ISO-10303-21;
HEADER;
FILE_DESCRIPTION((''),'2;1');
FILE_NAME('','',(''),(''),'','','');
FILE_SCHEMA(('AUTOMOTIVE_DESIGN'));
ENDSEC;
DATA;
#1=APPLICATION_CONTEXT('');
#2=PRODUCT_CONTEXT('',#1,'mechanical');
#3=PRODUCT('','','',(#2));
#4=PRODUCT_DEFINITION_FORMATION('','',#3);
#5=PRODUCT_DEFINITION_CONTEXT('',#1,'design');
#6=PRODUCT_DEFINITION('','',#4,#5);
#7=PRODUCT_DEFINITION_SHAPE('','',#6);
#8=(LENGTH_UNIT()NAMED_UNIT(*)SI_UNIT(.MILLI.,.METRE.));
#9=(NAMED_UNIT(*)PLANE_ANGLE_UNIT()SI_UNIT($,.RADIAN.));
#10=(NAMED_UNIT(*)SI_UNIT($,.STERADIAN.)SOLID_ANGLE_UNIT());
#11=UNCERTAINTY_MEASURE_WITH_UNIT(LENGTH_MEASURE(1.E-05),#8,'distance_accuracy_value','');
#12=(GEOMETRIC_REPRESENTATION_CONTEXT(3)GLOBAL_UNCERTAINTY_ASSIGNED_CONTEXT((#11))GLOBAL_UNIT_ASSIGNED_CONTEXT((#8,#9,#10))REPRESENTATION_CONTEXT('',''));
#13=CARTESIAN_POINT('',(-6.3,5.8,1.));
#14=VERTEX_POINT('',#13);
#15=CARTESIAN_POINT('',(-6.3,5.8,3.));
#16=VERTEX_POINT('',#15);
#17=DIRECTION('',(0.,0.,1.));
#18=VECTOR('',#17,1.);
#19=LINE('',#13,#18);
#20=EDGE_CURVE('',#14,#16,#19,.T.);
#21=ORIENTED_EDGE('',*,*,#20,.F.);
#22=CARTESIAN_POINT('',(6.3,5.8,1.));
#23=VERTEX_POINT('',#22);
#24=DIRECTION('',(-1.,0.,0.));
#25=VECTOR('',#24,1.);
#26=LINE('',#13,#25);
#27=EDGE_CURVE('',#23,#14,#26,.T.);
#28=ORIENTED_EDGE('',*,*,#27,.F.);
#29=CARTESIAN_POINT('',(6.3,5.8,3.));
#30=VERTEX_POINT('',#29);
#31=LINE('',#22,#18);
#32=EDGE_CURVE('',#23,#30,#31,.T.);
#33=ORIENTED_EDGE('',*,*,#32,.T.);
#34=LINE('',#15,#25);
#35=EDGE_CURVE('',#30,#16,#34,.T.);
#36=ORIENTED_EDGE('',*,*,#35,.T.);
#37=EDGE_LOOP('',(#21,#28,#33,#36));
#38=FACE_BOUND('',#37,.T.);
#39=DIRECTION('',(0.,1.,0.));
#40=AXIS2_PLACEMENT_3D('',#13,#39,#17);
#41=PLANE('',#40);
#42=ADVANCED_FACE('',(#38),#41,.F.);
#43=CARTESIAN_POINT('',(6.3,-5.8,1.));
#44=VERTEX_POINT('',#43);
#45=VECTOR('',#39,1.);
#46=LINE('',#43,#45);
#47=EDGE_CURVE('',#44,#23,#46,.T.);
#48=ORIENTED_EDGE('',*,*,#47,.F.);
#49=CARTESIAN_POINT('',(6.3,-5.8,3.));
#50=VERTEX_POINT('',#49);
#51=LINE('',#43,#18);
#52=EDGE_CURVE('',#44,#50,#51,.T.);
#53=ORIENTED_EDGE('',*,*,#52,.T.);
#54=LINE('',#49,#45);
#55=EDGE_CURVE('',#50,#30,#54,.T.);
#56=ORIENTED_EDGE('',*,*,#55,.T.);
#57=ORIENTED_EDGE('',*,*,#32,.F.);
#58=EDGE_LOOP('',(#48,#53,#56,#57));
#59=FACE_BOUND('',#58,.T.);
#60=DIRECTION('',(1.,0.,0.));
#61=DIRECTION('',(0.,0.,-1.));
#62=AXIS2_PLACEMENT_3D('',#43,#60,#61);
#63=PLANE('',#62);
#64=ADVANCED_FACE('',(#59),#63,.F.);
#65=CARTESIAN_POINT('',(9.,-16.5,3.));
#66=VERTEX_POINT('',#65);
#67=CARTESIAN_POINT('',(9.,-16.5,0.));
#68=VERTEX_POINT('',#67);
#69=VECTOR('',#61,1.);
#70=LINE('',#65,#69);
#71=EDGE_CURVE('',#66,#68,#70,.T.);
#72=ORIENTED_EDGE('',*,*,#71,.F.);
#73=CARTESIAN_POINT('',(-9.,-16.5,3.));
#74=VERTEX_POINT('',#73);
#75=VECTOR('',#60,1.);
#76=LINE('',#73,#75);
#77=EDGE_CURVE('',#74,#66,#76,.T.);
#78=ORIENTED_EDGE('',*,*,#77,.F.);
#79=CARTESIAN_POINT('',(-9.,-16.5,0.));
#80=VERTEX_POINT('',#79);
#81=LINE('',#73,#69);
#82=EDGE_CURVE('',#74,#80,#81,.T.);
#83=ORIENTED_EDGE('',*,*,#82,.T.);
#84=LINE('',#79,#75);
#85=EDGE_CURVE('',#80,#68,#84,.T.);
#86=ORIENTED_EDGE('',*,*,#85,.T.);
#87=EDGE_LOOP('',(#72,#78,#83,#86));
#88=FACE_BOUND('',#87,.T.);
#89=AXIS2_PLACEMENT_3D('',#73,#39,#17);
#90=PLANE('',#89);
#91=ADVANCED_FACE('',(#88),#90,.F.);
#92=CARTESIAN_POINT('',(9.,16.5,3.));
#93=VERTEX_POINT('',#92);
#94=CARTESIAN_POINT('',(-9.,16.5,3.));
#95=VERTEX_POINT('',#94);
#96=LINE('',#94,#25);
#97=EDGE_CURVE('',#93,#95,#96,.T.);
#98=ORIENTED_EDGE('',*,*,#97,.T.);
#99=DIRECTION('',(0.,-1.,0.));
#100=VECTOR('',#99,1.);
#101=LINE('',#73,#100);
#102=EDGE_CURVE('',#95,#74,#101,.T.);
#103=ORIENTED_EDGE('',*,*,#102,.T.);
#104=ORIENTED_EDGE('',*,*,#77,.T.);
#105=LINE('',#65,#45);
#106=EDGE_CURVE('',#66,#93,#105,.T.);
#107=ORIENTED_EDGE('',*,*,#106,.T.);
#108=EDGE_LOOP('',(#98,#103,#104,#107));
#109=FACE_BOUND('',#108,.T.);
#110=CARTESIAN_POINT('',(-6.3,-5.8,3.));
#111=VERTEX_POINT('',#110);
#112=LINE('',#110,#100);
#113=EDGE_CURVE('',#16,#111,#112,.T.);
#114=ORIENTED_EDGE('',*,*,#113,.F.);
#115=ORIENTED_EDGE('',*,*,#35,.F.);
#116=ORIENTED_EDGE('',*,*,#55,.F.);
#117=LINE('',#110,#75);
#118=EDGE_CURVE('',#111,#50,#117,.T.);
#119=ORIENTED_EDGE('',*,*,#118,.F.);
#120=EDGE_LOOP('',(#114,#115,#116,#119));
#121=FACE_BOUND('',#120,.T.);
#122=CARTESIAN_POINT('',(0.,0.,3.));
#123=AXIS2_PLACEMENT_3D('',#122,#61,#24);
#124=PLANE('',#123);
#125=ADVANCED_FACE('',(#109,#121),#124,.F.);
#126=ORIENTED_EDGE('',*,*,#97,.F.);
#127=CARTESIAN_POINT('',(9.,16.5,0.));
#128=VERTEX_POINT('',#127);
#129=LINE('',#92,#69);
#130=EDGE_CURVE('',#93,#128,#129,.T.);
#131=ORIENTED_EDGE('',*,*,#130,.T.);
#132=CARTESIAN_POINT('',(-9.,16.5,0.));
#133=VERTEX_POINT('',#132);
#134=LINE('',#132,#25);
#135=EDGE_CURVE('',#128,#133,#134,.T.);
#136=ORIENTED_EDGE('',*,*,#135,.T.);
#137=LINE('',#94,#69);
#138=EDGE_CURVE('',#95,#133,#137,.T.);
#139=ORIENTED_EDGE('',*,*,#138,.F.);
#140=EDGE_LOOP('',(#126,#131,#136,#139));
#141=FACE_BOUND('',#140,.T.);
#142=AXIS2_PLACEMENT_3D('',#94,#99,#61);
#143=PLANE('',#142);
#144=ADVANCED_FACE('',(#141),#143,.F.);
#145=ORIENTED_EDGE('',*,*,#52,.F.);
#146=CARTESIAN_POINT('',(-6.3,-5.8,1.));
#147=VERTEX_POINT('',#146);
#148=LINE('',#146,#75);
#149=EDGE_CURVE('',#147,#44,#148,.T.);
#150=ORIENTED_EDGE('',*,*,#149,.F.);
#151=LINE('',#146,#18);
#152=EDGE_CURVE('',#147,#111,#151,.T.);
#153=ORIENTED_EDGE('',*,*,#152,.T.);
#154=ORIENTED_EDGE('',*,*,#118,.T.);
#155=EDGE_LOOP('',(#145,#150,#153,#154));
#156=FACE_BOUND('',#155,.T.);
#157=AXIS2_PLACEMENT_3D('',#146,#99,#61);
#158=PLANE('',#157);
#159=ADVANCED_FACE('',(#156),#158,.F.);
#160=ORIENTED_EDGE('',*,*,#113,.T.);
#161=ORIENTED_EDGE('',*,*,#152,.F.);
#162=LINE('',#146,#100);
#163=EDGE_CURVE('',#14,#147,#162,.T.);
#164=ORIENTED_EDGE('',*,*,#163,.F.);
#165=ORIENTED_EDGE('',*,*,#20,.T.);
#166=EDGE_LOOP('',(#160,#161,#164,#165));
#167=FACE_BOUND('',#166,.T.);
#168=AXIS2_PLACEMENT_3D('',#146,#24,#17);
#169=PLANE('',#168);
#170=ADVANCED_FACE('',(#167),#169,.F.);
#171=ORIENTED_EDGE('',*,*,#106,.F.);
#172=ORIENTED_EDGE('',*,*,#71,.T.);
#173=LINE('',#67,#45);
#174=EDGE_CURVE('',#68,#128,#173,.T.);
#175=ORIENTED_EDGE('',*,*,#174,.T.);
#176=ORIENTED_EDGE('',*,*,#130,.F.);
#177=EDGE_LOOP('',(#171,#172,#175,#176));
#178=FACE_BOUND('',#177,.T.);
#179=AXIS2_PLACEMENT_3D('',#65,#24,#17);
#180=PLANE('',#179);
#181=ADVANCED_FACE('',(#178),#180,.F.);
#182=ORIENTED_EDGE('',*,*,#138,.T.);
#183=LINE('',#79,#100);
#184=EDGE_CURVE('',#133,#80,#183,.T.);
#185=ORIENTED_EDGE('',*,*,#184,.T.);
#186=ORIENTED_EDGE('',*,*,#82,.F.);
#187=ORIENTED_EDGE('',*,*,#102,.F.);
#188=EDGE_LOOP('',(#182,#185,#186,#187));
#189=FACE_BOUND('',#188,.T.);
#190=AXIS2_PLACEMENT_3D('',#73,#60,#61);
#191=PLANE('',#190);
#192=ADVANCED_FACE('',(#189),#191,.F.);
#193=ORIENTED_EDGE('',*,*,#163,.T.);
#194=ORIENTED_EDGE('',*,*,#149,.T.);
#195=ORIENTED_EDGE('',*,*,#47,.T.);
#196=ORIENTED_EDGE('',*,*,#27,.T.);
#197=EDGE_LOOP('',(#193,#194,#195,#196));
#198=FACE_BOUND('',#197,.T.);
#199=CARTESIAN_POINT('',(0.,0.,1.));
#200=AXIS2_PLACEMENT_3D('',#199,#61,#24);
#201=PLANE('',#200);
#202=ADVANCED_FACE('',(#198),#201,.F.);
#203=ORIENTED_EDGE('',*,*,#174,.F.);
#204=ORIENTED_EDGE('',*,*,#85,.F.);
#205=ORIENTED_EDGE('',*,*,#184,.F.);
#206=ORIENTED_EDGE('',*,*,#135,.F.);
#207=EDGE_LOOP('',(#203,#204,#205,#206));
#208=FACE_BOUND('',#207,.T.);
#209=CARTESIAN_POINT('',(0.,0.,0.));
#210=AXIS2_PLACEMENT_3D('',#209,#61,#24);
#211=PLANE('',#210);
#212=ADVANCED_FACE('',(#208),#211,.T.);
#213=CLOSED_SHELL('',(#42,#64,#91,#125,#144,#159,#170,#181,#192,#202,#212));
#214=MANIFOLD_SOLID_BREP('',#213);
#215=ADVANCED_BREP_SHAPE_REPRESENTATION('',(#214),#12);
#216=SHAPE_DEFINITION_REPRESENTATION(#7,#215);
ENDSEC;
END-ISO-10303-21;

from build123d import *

# Parameters (mm, degrees)
SKETCH_1_W          = 18
SKETCH_1_H          = 33
EXTRUDE_1_DEPTH     = 3
SKETCH_2_W          = 12.6
SKETCH_2_H          = 11.6
CUT_EXTRUDE_1_DEPTH = 2


with BuildPart() as part:
    # 스케치1 → 보스-돌출1 (new body)
    with BuildSketch(Plane.XY):
        Rectangle(SKETCH_1_W, SKETCH_1_H)
    extrude(amount=EXTRUDE_1_DEPTH)

    # 스케치2 → 컷-돌출1 (cut)
    with BuildSketch(Plane.XY.offset(3)):
        Rectangle(SKETCH_2_W, SKETCH_2_H)
    extrude(amount=-CUT_EXTRUDE_1_DEPTH, mode=Mode.SUBTRACT)


solid = part.part
